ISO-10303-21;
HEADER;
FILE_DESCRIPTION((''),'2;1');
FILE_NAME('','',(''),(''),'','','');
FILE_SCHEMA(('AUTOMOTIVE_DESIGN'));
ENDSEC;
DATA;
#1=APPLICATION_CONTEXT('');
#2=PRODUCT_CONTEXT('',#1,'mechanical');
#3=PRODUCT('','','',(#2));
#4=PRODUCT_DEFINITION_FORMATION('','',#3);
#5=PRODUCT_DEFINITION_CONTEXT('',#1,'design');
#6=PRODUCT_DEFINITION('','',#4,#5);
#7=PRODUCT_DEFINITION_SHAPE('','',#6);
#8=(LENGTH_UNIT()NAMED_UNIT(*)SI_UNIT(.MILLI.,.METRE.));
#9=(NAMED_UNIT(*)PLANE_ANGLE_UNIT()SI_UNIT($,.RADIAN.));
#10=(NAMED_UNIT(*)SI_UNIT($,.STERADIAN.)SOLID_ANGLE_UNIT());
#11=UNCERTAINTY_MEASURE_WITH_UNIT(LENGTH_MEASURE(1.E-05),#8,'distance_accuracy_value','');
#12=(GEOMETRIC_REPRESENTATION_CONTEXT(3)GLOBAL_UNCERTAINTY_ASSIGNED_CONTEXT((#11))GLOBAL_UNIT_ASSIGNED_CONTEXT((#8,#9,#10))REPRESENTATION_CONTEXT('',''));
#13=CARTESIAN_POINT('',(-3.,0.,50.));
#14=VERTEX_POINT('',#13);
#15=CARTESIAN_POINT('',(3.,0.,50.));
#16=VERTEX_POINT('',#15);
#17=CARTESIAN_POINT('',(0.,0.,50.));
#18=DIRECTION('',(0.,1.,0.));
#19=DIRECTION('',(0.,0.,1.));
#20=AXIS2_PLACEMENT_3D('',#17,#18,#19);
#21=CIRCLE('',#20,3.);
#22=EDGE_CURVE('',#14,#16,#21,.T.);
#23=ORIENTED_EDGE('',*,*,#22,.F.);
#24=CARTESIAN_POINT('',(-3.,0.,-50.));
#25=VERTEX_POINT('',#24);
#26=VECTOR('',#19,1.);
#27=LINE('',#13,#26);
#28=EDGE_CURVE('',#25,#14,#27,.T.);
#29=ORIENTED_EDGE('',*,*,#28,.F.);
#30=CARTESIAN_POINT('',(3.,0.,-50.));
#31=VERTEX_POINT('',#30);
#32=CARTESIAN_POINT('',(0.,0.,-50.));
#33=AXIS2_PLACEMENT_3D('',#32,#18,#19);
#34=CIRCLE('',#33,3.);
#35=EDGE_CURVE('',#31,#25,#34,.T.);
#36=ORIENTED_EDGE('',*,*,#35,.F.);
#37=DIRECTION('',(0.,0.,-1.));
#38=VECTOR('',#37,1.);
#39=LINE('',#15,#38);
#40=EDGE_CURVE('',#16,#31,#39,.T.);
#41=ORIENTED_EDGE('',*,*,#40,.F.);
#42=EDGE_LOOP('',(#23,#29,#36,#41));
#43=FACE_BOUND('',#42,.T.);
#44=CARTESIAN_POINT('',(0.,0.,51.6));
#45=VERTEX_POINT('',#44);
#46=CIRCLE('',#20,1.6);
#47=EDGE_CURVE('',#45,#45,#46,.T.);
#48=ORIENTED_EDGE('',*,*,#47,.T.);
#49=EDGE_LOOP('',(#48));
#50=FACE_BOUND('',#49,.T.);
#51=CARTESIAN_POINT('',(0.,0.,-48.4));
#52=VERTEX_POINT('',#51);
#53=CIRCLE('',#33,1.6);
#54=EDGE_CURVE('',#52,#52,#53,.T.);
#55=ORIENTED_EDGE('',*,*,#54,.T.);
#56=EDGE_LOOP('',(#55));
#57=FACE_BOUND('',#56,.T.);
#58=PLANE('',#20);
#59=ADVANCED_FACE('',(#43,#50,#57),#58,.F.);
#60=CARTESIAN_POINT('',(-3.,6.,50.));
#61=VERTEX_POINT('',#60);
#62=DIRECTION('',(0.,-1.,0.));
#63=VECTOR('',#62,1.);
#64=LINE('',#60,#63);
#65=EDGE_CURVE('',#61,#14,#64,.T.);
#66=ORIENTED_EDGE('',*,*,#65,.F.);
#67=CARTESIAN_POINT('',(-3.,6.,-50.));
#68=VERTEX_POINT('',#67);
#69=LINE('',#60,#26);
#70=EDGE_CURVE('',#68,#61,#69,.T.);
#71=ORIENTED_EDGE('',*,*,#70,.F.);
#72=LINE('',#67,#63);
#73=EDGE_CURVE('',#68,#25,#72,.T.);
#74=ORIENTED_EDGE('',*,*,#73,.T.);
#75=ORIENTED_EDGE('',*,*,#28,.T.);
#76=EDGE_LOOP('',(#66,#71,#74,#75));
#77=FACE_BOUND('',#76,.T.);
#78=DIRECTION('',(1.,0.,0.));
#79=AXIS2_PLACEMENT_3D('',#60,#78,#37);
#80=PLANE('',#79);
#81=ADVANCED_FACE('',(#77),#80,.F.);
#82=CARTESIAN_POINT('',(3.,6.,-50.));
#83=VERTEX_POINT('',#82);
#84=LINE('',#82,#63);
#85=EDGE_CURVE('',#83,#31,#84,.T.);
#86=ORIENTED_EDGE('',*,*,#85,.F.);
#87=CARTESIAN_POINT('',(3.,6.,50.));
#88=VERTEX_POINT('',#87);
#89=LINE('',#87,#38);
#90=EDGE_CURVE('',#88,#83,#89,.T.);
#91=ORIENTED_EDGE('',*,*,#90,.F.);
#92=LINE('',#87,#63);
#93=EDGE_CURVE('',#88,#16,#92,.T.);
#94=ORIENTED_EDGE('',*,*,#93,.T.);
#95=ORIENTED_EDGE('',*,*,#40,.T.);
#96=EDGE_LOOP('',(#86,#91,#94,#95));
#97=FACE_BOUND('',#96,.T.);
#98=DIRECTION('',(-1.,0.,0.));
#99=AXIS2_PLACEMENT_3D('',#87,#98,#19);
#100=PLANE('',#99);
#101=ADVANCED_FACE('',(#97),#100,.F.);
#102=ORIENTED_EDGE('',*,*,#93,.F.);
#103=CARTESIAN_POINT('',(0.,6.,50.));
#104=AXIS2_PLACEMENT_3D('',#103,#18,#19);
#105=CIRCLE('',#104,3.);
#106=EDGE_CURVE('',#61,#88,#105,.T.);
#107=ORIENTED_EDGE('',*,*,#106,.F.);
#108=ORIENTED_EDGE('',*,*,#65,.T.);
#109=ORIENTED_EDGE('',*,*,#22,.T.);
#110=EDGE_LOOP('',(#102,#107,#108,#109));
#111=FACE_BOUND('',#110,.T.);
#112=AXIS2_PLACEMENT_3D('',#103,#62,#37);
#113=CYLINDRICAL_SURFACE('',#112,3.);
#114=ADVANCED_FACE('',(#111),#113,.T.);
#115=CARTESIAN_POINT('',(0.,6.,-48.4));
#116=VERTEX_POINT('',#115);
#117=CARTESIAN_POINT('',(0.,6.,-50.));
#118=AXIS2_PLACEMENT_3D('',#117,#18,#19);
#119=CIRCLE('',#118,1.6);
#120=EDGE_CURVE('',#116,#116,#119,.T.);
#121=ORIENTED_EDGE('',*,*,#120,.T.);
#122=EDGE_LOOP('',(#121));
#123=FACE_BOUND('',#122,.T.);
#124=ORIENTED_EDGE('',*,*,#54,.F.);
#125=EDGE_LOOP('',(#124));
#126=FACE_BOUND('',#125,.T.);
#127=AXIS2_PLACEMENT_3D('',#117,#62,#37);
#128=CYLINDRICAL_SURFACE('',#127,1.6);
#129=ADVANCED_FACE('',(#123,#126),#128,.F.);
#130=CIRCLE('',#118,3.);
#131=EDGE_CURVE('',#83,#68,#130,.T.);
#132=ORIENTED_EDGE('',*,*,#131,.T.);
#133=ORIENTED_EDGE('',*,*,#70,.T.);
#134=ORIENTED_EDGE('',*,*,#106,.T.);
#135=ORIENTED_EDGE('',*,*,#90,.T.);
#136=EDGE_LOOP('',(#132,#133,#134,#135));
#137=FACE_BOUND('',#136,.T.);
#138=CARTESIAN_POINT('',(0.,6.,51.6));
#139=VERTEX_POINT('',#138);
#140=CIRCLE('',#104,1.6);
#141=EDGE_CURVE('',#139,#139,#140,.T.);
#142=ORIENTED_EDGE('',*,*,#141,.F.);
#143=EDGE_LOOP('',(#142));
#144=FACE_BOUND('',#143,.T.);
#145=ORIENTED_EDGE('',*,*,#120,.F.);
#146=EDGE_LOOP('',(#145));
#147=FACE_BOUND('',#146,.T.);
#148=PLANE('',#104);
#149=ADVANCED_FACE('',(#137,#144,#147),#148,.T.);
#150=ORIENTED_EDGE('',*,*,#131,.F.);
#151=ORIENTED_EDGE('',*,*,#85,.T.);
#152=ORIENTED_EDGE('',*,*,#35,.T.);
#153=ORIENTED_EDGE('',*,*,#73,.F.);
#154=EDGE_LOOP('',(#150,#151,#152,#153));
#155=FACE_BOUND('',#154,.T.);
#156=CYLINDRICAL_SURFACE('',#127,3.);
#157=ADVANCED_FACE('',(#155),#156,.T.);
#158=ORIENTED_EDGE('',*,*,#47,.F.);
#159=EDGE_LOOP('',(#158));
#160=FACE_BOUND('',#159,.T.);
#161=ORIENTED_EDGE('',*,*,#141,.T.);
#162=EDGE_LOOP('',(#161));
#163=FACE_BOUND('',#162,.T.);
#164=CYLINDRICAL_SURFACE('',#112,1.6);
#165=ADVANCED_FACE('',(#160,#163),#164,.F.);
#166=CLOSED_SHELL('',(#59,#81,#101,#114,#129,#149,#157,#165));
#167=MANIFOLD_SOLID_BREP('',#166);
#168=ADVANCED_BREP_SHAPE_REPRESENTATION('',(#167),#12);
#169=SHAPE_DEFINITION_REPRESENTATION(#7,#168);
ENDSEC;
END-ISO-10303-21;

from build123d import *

# Parameters (mm, degrees)
SKETCH_1_R      = 1.6
EXTRUDE_1_DEPTH = 6


with BuildPart() as part:
    # 草图1 → 凸台-拉伸1 (new body)
    with BuildSketch(Plane(origin=(0, 0, 0), x_dir=(1, 0, 0), z_dir=(0, 1, 0))):
        with BuildLine():
            Line((-3, -50), (-3, 50))
            ThreePointArc((-3, 50), (0, 53), (3, 50))
            Line((3, 50), (3, -50))
            ThreePointArc((3, -50), (0, -53), (-3, -50))
        make_face()
        with Locations(Location((0, 50, 0), (0, 0, 270))):
            Circle(SKETCH_1_R, mode=Mode.SUBTRACT)
        with Locations(Location((0, -50, 0), (0, 0, 270))):
            Circle(SKETCH_1_R, mode=Mode.SUBTRACT)
    extrude(amount=EXTRUDE_1_DEPTH)


solid = part.part
